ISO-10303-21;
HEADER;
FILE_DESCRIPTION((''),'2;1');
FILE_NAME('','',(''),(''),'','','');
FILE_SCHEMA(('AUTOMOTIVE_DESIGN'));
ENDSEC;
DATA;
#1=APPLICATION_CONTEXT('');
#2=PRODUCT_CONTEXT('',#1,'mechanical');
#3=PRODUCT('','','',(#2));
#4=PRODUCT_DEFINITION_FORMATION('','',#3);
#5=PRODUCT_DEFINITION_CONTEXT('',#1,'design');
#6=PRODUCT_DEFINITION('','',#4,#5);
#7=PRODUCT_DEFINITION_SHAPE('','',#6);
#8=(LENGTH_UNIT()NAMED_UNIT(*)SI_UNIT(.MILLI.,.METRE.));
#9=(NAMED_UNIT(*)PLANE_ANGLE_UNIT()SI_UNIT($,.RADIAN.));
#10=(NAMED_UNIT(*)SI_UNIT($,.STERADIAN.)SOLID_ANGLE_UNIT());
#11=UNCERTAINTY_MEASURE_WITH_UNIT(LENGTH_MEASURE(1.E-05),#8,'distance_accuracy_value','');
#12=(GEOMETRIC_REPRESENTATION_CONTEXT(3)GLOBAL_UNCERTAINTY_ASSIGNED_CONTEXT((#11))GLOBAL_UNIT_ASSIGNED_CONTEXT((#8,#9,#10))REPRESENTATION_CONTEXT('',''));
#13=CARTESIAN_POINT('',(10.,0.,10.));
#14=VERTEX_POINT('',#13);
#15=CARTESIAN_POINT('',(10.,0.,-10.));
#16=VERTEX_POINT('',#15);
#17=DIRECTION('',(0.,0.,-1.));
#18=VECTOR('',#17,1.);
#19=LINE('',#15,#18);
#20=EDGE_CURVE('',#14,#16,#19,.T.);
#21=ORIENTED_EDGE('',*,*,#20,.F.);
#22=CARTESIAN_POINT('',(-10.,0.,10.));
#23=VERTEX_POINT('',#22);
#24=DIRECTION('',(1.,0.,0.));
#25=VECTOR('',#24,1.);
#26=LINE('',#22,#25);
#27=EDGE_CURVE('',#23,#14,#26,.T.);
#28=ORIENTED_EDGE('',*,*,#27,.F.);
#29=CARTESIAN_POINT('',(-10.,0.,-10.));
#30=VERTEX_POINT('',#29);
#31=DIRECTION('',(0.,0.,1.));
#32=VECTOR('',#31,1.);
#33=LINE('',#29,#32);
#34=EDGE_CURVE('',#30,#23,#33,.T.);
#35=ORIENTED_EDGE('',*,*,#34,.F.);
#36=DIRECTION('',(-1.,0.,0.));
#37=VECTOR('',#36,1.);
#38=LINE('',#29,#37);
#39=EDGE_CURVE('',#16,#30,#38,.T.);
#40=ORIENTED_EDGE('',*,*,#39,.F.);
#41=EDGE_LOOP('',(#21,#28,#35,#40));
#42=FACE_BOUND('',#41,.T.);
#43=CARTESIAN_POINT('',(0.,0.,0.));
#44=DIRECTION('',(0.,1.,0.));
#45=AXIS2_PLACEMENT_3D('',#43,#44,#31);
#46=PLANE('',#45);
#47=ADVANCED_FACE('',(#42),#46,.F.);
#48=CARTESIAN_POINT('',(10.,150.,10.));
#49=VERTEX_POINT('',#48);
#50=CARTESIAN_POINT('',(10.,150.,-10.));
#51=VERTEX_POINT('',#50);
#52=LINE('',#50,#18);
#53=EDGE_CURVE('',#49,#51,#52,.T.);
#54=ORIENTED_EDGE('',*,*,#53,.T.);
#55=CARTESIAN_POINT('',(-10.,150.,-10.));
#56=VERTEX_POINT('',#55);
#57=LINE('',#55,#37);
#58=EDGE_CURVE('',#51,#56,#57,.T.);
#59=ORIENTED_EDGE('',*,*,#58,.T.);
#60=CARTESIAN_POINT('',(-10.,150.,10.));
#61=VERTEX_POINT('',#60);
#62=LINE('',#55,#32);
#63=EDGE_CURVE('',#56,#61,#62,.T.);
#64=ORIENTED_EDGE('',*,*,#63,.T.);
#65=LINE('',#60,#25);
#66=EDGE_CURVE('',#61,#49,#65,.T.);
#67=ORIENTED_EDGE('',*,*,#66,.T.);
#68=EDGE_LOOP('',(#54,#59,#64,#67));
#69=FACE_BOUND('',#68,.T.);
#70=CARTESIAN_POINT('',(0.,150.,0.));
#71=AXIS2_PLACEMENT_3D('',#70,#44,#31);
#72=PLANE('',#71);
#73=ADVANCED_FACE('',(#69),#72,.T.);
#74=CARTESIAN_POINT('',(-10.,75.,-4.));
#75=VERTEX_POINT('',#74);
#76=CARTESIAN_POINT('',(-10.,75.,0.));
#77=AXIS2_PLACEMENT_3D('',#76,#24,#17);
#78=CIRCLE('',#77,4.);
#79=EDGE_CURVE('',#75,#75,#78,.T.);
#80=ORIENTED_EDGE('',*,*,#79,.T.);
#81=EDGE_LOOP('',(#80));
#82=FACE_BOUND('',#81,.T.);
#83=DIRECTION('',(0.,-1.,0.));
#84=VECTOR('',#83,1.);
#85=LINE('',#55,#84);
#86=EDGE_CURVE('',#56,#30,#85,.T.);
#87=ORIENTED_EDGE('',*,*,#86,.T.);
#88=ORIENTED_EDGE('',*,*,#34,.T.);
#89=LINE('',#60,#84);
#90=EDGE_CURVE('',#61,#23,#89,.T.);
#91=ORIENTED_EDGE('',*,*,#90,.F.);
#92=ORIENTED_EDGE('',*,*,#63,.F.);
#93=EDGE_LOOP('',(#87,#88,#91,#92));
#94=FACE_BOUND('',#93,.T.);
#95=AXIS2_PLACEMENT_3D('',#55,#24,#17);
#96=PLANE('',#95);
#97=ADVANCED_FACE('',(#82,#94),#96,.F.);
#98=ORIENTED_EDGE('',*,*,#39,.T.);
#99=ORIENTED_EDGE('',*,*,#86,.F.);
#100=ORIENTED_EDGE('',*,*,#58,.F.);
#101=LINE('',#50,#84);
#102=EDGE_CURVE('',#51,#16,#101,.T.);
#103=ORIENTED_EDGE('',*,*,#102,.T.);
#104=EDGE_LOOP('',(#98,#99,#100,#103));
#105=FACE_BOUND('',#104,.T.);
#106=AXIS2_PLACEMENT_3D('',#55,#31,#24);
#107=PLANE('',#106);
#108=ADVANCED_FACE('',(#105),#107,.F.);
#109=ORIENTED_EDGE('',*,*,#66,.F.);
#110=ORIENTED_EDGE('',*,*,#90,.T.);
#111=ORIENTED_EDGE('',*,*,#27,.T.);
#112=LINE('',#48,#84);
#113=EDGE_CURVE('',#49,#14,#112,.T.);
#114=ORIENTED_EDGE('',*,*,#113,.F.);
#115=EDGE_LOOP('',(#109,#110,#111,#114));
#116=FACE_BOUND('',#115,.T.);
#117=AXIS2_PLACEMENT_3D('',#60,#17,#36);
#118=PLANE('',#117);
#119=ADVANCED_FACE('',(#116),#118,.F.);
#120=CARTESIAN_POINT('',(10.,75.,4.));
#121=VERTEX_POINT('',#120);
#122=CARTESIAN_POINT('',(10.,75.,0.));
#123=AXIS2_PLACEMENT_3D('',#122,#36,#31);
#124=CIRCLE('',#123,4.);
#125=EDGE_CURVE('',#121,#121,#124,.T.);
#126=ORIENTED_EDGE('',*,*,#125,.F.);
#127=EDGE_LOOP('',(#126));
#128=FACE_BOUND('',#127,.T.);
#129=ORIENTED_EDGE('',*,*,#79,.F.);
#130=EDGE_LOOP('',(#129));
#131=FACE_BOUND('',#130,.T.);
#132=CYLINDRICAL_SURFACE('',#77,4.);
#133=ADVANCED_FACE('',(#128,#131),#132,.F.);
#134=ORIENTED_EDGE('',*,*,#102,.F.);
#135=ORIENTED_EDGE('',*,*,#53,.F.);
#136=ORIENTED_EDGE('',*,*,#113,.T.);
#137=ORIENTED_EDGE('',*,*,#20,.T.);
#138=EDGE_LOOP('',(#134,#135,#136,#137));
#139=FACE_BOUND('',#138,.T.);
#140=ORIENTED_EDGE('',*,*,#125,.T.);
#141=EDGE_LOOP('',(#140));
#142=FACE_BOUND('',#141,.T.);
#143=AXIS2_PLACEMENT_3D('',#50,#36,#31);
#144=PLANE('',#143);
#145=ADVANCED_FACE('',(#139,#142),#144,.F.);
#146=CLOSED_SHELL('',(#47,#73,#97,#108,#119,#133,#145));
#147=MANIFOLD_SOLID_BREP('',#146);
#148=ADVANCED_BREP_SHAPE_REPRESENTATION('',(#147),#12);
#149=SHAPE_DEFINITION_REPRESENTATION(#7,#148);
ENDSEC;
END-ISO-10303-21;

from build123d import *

# Parameters (mm, degrees)
SKETCH1_W               = 20
SKETCH1_H               = 20
BOSS_EXTRUDE1_DEPTH     = 150
CUT_EXTRUDE1_DEPTH      = 152.657508881
CUT_EXTRUDE1_DEPTH_BACK = 152.657508881
SKETCH2_R               = 4


with BuildPart() as part:
    # Sketch1 → Boss-Extrude1 (new body)
    with BuildSketch(Plane(origin=(0, 0, 0), x_dir=(1, 0, 0), z_dir=(0, 1, 0))):
        Rectangle(SKETCH1_W, SKETCH1_H)
    extrude(amount=BOSS_EXTRUDE1_DEPTH)

    # Sketch2 → Cut-Extrude1 (cut, two sides: drawn at the far end of the back side and taken through both)
    with BuildSketch(Plane(origin=(10, 0, 0), x_dir=(0, 0, -1), z_dir=(1, 0, 0)).offset(-CUT_EXTRUDE1_DEPTH_BACK)):
        with Locations((0, 75)):
            Circle(SKETCH2_R)
    extrude(amount=CUT_EXTRUDE1_DEPTH + CUT_EXTRUDE1_DEPTH_BACK, mode=Mode.SUBTRACT)


solid = part.part
